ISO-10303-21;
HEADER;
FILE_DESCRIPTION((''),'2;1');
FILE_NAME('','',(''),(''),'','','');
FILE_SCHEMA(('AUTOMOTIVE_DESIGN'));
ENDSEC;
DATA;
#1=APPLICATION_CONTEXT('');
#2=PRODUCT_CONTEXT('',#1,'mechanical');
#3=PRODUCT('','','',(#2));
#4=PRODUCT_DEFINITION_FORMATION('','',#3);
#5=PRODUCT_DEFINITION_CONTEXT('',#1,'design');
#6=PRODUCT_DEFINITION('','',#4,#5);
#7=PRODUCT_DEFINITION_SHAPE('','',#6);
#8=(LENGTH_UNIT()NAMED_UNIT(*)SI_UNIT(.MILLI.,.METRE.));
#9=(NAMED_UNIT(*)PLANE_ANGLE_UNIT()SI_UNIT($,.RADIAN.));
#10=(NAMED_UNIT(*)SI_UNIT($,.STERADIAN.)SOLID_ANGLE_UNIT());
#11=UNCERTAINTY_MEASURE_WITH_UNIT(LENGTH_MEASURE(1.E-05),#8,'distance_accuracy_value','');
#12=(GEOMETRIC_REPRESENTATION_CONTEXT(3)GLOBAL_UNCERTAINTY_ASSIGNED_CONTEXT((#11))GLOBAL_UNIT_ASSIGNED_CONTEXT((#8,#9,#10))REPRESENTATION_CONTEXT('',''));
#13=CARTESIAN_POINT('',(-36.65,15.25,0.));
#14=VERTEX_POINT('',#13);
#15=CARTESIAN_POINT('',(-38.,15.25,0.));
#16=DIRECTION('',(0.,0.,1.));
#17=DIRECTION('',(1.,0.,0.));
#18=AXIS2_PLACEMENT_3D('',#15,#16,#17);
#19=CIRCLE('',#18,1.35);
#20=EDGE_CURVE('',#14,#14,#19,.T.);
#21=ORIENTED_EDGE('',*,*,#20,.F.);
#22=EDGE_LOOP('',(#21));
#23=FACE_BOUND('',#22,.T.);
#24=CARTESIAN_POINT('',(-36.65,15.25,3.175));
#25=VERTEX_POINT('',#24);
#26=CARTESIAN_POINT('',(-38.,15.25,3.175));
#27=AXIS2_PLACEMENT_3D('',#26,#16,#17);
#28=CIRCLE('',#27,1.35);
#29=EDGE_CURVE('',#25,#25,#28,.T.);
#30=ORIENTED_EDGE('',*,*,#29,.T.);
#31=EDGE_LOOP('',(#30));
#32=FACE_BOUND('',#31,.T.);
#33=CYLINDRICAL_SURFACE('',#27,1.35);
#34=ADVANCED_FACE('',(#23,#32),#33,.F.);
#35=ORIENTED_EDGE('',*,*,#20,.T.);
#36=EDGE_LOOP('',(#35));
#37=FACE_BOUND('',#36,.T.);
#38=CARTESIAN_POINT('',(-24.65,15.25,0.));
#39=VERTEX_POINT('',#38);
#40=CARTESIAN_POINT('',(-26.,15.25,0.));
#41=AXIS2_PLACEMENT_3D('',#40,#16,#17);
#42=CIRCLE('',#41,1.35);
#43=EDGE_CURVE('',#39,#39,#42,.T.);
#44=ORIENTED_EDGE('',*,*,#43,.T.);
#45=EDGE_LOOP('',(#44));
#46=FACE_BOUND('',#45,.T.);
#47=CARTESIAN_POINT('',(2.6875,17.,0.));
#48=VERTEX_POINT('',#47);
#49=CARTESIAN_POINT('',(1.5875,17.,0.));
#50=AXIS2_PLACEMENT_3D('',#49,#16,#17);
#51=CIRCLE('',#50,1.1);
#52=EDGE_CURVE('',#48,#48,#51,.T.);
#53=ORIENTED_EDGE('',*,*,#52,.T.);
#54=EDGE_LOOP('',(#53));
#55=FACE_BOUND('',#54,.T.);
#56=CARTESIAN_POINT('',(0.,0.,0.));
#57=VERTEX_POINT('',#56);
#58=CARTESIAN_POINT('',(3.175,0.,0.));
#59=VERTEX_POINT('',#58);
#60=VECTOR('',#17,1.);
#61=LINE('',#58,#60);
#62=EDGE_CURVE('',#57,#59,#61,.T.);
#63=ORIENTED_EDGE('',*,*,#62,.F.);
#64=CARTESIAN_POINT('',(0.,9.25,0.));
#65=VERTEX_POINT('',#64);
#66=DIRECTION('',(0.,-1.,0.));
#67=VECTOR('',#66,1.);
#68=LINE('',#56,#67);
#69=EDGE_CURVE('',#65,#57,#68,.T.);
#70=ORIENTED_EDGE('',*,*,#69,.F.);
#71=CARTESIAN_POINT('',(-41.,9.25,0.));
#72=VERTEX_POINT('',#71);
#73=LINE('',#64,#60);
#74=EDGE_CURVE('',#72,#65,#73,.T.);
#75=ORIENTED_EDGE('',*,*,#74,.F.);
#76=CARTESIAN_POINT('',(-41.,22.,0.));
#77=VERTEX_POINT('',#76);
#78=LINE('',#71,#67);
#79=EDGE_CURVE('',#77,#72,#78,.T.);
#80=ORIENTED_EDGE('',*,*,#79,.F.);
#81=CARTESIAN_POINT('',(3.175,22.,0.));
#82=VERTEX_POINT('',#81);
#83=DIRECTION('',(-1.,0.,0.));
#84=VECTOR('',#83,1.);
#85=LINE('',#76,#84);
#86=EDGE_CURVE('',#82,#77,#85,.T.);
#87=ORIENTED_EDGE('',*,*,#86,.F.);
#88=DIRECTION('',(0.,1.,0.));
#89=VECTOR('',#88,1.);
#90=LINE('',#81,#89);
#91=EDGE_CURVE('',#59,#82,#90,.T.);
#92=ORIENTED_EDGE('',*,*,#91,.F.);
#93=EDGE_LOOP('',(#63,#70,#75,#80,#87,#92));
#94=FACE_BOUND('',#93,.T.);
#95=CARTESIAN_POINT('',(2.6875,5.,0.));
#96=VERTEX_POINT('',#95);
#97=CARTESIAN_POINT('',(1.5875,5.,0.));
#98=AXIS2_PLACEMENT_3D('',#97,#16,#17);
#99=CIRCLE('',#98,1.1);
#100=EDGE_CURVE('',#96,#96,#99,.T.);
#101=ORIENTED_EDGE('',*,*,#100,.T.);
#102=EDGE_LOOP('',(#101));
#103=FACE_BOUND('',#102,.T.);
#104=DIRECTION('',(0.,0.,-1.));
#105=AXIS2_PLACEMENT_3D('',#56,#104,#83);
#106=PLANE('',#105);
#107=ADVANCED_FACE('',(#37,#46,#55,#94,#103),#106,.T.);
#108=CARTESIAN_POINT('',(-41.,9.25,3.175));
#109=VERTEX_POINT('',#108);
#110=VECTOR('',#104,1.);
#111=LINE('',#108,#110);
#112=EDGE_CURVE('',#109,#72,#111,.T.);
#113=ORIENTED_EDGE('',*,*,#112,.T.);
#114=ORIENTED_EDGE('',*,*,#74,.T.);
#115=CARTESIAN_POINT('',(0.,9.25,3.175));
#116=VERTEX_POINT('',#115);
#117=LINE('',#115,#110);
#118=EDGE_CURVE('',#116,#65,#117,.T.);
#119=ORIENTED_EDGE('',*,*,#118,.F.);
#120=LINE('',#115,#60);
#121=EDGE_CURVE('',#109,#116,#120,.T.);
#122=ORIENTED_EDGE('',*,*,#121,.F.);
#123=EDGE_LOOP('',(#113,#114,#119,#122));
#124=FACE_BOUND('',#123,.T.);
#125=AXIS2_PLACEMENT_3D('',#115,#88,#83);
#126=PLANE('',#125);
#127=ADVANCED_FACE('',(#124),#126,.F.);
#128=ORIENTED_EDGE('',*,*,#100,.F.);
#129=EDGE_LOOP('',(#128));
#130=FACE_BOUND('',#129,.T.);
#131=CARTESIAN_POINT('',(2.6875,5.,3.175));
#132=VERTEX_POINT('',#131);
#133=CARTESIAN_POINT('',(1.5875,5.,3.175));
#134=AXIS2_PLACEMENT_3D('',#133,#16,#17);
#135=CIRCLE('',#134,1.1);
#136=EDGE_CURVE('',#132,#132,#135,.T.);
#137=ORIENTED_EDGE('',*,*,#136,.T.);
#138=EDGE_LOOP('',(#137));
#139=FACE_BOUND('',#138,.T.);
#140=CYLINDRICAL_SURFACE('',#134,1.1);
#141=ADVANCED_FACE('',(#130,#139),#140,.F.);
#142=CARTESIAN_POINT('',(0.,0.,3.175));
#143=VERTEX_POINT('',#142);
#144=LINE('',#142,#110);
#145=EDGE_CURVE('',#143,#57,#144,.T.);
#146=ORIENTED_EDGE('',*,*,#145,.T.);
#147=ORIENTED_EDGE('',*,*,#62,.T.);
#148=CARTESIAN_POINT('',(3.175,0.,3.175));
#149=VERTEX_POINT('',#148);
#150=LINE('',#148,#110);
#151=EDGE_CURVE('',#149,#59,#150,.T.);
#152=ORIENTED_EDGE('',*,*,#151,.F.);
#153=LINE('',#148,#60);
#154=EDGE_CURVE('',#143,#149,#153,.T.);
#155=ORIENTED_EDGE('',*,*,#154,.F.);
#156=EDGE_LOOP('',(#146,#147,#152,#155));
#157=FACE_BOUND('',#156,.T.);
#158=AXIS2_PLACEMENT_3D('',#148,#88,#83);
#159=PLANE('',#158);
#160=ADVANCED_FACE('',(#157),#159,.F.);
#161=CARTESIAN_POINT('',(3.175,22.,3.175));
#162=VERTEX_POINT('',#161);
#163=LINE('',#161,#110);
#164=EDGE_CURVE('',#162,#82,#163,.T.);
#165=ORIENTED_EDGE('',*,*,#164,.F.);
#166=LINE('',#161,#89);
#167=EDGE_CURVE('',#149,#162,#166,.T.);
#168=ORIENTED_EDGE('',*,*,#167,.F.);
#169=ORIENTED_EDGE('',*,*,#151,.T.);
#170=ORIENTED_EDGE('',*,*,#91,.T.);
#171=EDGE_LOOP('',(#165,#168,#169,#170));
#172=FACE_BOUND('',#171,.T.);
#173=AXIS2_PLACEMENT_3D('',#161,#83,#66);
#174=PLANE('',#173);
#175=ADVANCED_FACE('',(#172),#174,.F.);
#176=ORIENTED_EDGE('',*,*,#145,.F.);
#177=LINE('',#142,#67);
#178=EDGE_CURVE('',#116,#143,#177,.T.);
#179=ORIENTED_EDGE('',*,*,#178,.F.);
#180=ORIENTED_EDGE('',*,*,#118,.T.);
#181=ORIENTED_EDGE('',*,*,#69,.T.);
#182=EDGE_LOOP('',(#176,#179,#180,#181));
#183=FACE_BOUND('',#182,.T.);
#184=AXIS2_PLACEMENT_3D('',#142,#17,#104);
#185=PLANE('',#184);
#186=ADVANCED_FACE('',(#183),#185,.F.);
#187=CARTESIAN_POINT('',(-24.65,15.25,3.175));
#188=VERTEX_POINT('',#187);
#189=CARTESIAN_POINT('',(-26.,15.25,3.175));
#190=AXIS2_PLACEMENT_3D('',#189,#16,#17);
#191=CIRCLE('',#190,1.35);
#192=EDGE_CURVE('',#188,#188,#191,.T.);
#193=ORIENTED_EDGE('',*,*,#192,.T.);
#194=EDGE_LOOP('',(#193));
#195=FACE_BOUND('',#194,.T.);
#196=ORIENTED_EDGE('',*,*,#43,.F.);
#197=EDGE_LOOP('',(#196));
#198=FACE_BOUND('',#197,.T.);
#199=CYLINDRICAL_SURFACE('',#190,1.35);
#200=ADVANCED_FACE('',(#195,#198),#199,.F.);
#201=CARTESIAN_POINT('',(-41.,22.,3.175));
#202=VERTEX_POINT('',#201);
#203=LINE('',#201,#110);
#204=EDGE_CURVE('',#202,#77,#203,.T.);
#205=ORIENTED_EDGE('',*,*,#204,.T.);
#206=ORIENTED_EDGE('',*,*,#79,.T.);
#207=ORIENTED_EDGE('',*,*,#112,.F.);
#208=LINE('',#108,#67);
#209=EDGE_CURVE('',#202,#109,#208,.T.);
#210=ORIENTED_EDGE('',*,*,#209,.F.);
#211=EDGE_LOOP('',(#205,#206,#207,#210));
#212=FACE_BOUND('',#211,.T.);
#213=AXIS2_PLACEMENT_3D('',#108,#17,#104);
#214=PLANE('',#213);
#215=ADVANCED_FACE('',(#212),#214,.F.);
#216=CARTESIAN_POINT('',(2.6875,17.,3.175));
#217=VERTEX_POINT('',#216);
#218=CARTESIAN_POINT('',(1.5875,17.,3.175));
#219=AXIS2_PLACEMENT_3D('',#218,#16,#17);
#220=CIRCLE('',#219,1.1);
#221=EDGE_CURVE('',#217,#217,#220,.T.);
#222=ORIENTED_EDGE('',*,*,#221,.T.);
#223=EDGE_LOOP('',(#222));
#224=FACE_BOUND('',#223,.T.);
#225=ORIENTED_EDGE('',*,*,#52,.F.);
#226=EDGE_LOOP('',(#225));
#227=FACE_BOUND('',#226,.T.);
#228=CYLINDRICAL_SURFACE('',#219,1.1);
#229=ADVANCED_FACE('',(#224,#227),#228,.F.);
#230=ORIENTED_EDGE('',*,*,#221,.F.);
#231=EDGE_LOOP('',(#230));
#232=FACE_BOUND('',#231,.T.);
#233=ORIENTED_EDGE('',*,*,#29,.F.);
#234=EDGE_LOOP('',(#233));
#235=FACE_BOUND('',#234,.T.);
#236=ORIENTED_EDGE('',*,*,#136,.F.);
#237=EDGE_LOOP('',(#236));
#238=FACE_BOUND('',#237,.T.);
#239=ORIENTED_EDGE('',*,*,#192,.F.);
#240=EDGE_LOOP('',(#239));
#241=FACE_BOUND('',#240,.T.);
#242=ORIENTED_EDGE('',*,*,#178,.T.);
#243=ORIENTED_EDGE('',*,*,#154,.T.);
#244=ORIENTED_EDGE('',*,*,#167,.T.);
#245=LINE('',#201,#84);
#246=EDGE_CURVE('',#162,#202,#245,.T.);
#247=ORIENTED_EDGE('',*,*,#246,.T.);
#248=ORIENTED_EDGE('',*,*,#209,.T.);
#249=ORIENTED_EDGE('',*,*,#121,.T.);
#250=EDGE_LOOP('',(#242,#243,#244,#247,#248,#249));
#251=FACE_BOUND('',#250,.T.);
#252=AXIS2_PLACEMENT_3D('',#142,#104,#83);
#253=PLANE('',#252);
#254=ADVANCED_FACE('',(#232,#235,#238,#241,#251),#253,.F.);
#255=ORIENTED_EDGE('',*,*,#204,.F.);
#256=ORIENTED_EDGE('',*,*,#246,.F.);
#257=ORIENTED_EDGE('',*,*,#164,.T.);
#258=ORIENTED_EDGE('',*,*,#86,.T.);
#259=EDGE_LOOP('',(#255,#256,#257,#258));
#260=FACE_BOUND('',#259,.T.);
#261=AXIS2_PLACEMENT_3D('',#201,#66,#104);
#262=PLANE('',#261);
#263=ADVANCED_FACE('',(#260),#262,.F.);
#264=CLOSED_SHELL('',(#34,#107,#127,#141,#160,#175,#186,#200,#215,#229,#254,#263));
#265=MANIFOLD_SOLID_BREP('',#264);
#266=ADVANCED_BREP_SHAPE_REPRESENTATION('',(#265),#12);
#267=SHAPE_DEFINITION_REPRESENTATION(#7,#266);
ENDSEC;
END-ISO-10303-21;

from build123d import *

# Parameters (mm, degrees)
BOSS_EXTRUDE1_DEPTH    = 3.175
M2_5_CLEARANCE_HOLE1_D = 2.7
M2_CLEARANCE_HOLE1_D   = 2.2


with BuildPart() as part:
    # Sketch1 → Boss-Extrude1 (new body)
    with BuildSketch(Plane.XY):
        Polygon((0, 0), (0, 9.25), (-41, 9.25), (-41, 22), (3.175, 22), (3.175, 0), align=None)
    extrude(amount=BOSS_EXTRUDE1_DEPTH)

    # M2.5 Clearance Hole1 (through all)
    with Locations(Plane.XY.offset(3.175)):
        with Locations((-38, 15.25), (-26, 15.25)):
            Hole(M2_5_CLEARANCE_HOLE1_D / 2)

    # M2 Clearance Hole1 (through all)
    with Locations(Plane.XY.offset(3.175)):
        with Locations((1.5875, 17), (1.5875, 5)):
            Hole(M2_CLEARANCE_HOLE1_D / 2)


solid = part.part
